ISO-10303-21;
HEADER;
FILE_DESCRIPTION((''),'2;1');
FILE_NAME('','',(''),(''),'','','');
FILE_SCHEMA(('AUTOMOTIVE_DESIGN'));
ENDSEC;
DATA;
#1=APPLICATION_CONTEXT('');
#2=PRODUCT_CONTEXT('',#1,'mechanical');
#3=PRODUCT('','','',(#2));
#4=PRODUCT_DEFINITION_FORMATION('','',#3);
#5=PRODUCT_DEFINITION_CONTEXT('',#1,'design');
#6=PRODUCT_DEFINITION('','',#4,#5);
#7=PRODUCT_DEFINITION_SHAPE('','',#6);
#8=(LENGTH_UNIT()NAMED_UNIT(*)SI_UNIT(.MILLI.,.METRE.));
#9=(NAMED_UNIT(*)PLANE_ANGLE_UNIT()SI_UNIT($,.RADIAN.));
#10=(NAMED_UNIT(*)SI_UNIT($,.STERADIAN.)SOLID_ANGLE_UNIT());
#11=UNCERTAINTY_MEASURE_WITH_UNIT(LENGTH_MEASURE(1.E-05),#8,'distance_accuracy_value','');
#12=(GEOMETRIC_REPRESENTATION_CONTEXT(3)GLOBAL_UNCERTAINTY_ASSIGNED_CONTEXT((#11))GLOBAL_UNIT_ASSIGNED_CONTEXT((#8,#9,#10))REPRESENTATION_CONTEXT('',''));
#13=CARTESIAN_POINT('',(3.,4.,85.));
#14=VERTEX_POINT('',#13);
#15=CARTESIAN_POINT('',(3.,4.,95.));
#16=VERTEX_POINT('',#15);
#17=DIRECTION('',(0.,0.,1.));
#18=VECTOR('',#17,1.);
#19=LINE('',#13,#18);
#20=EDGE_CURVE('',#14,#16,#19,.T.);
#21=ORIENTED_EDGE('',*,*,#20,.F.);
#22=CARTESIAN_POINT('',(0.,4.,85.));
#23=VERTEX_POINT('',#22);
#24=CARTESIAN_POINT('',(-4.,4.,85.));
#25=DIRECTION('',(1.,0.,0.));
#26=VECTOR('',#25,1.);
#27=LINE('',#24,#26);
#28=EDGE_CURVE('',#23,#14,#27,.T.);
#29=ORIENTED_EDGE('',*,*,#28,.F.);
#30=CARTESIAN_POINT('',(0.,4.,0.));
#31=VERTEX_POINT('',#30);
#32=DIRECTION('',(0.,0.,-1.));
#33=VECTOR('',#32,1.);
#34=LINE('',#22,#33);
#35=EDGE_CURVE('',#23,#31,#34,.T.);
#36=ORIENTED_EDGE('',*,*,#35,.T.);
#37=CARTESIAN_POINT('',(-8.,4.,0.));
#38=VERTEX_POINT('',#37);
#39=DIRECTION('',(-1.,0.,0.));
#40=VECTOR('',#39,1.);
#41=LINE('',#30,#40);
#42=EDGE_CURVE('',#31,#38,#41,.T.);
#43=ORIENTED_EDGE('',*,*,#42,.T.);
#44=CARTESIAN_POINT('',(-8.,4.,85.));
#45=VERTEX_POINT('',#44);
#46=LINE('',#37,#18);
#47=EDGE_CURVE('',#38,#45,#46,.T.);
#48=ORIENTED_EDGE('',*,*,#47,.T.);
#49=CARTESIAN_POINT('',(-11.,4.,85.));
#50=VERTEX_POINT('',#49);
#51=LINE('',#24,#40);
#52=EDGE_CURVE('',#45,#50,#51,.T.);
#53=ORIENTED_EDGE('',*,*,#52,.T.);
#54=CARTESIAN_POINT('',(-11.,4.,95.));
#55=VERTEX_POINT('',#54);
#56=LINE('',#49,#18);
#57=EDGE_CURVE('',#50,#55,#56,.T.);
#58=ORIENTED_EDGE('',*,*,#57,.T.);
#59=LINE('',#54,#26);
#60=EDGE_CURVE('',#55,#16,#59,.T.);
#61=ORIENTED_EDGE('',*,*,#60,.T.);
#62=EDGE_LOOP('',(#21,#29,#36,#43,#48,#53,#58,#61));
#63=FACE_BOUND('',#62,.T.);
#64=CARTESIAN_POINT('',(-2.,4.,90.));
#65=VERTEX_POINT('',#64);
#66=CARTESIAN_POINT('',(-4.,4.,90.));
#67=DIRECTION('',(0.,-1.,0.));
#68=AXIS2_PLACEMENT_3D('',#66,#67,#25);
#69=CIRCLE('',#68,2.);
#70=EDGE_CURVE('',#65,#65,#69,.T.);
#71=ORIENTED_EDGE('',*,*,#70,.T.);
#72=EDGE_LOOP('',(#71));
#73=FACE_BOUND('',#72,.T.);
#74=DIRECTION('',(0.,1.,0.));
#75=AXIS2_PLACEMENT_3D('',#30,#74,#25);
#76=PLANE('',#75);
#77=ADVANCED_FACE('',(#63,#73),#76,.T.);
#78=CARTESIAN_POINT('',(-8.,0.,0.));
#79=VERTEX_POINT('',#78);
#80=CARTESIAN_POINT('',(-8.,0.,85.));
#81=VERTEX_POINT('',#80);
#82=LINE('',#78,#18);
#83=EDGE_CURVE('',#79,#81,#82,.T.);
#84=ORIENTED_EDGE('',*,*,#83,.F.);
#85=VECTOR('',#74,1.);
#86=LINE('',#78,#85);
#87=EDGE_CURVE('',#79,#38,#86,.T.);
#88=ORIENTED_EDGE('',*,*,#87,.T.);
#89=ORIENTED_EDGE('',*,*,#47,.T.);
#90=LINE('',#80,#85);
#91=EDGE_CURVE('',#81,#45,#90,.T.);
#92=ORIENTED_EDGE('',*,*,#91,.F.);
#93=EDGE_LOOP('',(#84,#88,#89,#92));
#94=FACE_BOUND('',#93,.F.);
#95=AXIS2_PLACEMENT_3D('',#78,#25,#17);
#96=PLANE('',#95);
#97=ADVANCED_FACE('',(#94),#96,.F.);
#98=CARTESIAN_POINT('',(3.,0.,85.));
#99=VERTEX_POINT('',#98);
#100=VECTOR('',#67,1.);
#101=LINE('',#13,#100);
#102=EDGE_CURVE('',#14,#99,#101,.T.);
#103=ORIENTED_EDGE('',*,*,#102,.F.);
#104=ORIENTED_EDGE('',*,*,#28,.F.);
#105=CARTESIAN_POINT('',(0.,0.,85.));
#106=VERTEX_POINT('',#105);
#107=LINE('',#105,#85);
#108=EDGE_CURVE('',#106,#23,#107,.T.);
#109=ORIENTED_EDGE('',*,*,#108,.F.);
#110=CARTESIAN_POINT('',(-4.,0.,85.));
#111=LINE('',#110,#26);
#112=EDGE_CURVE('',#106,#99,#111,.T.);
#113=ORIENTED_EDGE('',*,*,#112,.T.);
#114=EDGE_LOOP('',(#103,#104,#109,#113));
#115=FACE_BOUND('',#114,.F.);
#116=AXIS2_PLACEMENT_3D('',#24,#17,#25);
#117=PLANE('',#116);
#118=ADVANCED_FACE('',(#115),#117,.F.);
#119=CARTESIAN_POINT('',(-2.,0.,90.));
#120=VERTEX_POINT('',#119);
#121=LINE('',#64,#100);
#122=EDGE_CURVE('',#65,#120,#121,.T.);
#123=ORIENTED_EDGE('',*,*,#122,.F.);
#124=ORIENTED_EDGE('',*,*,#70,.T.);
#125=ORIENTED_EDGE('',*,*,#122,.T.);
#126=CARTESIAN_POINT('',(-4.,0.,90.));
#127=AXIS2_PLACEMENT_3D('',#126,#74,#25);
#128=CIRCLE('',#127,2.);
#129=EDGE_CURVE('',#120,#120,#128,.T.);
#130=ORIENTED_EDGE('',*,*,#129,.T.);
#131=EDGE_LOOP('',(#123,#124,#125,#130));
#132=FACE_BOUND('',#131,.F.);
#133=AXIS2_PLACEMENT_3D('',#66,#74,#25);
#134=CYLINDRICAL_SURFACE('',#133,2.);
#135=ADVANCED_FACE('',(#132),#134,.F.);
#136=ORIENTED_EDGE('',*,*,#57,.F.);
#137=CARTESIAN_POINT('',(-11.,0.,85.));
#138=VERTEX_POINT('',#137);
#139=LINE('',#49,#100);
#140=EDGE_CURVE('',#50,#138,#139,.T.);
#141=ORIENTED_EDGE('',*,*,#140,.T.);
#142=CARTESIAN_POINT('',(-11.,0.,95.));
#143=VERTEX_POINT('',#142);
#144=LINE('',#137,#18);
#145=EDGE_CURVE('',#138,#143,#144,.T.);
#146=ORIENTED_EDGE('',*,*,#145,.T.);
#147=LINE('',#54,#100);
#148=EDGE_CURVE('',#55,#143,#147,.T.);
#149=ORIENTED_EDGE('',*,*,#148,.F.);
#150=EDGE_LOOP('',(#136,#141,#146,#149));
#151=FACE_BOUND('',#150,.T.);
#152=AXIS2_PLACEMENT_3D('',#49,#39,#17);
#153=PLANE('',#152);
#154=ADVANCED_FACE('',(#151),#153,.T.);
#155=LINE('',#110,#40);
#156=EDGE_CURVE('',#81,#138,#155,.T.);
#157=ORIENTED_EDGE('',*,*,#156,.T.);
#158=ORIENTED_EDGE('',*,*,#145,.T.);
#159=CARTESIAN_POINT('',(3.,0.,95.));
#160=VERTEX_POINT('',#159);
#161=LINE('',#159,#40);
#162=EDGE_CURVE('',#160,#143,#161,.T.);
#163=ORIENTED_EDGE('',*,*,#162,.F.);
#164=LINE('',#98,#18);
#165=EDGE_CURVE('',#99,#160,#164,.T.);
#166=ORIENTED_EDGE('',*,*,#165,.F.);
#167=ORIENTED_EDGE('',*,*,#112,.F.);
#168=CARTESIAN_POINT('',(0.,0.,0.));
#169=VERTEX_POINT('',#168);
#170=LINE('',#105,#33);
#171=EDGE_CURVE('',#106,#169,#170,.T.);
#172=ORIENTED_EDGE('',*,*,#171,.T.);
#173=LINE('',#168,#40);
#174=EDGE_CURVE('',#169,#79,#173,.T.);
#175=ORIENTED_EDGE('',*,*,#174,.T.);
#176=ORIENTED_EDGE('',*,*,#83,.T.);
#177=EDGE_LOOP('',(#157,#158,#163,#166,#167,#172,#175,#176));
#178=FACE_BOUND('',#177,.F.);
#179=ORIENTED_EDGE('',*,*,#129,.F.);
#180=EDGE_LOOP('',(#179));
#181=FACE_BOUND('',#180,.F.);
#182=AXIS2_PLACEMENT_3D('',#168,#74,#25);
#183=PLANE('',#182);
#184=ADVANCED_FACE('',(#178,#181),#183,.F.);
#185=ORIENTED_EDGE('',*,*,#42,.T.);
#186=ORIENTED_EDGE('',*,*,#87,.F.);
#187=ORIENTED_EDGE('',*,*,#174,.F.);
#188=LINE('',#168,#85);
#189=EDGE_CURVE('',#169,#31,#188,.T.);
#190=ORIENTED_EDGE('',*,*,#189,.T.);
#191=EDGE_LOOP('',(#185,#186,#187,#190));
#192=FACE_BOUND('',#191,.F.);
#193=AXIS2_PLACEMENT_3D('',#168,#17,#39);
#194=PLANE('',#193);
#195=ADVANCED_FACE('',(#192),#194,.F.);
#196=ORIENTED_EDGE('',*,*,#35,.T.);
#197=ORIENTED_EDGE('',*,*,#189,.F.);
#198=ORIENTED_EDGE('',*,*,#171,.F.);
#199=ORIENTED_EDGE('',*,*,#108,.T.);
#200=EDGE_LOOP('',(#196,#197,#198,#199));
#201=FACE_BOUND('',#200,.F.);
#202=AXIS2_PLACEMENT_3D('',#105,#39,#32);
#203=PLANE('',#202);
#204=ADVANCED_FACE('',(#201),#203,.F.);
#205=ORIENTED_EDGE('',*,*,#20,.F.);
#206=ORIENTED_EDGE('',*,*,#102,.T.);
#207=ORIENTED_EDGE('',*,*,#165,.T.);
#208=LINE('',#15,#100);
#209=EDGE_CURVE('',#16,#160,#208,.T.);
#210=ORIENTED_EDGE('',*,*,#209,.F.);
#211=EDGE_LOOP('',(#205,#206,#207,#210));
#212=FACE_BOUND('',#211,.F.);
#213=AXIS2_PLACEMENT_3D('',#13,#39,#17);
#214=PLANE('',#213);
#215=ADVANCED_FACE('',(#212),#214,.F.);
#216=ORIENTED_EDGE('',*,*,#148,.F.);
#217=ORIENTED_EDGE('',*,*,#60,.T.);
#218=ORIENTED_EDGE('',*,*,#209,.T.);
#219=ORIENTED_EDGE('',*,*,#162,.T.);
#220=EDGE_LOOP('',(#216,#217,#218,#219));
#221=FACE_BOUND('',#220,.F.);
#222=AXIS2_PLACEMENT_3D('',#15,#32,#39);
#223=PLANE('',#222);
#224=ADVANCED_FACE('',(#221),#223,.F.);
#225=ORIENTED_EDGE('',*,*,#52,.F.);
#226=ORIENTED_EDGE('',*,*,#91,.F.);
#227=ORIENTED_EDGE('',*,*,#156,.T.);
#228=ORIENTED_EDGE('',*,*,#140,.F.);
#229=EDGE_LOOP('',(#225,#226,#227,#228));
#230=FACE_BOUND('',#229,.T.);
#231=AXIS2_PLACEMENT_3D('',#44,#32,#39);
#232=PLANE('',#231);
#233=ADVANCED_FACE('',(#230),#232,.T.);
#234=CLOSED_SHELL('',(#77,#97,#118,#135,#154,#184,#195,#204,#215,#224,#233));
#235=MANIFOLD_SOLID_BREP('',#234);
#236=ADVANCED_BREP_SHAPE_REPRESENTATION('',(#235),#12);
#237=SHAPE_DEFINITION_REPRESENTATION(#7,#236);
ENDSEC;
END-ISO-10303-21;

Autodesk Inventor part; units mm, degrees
ref_plane "YZ Plane" through (0, 0, 0) normal (1, 0, 0) x (0, 1, 0)
ref_plane "XZ Plane" through (0, 0, 0) normal (0, 1, 0) x (-1, 0, 0)
ref_plane "XY Plane" through (0, 0, 0) normal (0, 0, 1) x (1, 0, 0)
sketch "Sketch1" plane through (0, 0, 0) normal (0, 1, 0) x (-1, 0, 0)
  line L0 (0, 0) -> (8, 0)
  line L1 (8, 0) -> (8, 85)
  line L2 (8, 85) -> (0, 85)
  line L3 (0, 85) -> (0, 0)
  dimension "d0" = 8
  dimension "d1" = 85
extrude "Extrusion1" add sketch "Sketch1" along normal blind 4
sketch "Sketch2" plane through (0, 4, 0) normal (0, 1, 0) x (1, 0, 0)
  line L0 (-8, -85) -> (0, -85) projected
  line L1 (-4, -85) -> (-11, -85)
  line L2 (-11, -85) -> (-11, -95)
  line L3 (-11, -95) -> (-4, -95)
  line L4 (-4, -95) -> (-4, -85)
  point P0 (0, 0)
  dimension "d4" = 7
  dimension "d5" = 10
extrude "Extrusion2" add sketch "Sketch2" against normal blind 4
sketch "Sketch3" plane through (0, 4, 0) normal (0, 1, 0) x (1, 0, 0)
  line L0 (-4, -85) -> (-4, -95) projected
  line L1 (-4, -85) -> (3, -85)
  line L2 (3, -85) -> (3, -95)
  line L3 (3, -95) -> (-4, -95)
  line L4 (-4, -95) -> (-4, -85)
  point P0 (0, 0)
  dimension "d8" = 7
  dimension "d9" = 10
extrude "Extrusion3" add sketch "Sketch3" against normal blind 4
sketch "Sketch5" plane through (0, 4, 0) normal (0, 1, 0) x (1, 0, 0)
  line L0 (-11, -95) -> (-11, -85) projected
  line L1 (-11, -95) -> (-4, -95)
  line L2 (-4, -95) -> (-4, -90)
  line L3 (-4, -90) -> (-11, -90)
  line L4 (-11, -90) -> (-11, -95)
  circle A0 centre (-4, -90) radius 2
  point P0 (0, 0)
  dimension "d14" = 7
  dimension "d15" = 5
  dimension "d16" = 4
extrude "Extrusion4" cut sketch "Sketch5" against normal blind 4 contours A0 L2 L3 | L3 L2 A0
properties part number "seddd"
